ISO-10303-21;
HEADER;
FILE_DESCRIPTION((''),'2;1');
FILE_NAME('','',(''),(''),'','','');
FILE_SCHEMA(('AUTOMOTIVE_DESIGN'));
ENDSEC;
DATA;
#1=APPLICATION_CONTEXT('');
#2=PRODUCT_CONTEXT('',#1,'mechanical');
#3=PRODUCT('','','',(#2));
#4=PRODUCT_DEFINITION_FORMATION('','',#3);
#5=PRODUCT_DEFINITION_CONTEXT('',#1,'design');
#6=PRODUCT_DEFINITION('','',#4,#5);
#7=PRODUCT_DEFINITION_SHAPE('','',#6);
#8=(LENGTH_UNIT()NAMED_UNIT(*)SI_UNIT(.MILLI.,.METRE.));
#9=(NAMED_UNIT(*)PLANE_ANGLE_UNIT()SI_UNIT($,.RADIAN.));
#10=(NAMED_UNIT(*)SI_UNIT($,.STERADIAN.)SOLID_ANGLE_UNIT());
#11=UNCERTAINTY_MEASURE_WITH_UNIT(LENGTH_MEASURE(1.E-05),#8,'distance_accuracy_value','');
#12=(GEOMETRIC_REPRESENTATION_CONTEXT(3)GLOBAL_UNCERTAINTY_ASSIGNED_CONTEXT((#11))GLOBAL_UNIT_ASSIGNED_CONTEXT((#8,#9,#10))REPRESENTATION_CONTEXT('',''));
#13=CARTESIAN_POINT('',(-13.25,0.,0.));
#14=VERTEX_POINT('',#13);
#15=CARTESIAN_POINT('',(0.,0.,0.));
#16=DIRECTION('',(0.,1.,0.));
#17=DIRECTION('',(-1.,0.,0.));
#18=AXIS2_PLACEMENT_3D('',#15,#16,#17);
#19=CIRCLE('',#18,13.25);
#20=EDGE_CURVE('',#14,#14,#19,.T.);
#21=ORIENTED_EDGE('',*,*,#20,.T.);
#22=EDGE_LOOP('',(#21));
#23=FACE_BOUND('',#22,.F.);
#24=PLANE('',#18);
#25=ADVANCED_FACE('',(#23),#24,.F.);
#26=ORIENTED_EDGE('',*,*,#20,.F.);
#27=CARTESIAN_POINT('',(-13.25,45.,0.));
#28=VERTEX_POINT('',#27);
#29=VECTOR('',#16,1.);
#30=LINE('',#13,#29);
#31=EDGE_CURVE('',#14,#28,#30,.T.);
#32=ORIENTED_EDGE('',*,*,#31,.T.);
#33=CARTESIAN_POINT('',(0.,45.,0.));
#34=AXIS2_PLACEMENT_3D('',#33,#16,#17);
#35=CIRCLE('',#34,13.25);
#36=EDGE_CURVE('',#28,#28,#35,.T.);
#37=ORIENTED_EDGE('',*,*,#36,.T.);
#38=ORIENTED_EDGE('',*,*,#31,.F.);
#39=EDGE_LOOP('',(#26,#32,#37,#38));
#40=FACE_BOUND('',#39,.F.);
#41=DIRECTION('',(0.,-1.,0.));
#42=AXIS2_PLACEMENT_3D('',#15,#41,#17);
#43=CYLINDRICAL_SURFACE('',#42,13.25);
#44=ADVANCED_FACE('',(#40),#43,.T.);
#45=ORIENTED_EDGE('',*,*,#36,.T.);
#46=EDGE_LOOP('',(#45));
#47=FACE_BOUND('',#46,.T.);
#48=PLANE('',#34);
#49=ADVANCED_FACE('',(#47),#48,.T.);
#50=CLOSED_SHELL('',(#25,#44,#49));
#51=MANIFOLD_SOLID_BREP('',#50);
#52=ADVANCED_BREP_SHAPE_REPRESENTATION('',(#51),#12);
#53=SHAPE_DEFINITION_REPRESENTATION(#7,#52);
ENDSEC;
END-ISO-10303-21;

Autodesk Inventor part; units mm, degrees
ref_plane "YZ Plane" through (0, 0, 0) normal (1, 0, 0) x (0, 1, 0)
ref_plane "XZ Plane" through (0, 0, 0) normal (0, 1, 0) x (-1, 0, 0)
ref_plane "XY Plane" through (0, 0, 0) normal (0, 0, 1) x (1, 0, 0)
sketch "Sketch1" plane through (0, 0, 0) normal (0, 1, 0) x (-1, 0, 0)
  circle A0 centre (0, 0) radius 13.25
  dimension "d0" = 26.5
extrude "Extrusion1" add sketch "Sketch1" along normal blind 45
properties part number "12 volt in"
